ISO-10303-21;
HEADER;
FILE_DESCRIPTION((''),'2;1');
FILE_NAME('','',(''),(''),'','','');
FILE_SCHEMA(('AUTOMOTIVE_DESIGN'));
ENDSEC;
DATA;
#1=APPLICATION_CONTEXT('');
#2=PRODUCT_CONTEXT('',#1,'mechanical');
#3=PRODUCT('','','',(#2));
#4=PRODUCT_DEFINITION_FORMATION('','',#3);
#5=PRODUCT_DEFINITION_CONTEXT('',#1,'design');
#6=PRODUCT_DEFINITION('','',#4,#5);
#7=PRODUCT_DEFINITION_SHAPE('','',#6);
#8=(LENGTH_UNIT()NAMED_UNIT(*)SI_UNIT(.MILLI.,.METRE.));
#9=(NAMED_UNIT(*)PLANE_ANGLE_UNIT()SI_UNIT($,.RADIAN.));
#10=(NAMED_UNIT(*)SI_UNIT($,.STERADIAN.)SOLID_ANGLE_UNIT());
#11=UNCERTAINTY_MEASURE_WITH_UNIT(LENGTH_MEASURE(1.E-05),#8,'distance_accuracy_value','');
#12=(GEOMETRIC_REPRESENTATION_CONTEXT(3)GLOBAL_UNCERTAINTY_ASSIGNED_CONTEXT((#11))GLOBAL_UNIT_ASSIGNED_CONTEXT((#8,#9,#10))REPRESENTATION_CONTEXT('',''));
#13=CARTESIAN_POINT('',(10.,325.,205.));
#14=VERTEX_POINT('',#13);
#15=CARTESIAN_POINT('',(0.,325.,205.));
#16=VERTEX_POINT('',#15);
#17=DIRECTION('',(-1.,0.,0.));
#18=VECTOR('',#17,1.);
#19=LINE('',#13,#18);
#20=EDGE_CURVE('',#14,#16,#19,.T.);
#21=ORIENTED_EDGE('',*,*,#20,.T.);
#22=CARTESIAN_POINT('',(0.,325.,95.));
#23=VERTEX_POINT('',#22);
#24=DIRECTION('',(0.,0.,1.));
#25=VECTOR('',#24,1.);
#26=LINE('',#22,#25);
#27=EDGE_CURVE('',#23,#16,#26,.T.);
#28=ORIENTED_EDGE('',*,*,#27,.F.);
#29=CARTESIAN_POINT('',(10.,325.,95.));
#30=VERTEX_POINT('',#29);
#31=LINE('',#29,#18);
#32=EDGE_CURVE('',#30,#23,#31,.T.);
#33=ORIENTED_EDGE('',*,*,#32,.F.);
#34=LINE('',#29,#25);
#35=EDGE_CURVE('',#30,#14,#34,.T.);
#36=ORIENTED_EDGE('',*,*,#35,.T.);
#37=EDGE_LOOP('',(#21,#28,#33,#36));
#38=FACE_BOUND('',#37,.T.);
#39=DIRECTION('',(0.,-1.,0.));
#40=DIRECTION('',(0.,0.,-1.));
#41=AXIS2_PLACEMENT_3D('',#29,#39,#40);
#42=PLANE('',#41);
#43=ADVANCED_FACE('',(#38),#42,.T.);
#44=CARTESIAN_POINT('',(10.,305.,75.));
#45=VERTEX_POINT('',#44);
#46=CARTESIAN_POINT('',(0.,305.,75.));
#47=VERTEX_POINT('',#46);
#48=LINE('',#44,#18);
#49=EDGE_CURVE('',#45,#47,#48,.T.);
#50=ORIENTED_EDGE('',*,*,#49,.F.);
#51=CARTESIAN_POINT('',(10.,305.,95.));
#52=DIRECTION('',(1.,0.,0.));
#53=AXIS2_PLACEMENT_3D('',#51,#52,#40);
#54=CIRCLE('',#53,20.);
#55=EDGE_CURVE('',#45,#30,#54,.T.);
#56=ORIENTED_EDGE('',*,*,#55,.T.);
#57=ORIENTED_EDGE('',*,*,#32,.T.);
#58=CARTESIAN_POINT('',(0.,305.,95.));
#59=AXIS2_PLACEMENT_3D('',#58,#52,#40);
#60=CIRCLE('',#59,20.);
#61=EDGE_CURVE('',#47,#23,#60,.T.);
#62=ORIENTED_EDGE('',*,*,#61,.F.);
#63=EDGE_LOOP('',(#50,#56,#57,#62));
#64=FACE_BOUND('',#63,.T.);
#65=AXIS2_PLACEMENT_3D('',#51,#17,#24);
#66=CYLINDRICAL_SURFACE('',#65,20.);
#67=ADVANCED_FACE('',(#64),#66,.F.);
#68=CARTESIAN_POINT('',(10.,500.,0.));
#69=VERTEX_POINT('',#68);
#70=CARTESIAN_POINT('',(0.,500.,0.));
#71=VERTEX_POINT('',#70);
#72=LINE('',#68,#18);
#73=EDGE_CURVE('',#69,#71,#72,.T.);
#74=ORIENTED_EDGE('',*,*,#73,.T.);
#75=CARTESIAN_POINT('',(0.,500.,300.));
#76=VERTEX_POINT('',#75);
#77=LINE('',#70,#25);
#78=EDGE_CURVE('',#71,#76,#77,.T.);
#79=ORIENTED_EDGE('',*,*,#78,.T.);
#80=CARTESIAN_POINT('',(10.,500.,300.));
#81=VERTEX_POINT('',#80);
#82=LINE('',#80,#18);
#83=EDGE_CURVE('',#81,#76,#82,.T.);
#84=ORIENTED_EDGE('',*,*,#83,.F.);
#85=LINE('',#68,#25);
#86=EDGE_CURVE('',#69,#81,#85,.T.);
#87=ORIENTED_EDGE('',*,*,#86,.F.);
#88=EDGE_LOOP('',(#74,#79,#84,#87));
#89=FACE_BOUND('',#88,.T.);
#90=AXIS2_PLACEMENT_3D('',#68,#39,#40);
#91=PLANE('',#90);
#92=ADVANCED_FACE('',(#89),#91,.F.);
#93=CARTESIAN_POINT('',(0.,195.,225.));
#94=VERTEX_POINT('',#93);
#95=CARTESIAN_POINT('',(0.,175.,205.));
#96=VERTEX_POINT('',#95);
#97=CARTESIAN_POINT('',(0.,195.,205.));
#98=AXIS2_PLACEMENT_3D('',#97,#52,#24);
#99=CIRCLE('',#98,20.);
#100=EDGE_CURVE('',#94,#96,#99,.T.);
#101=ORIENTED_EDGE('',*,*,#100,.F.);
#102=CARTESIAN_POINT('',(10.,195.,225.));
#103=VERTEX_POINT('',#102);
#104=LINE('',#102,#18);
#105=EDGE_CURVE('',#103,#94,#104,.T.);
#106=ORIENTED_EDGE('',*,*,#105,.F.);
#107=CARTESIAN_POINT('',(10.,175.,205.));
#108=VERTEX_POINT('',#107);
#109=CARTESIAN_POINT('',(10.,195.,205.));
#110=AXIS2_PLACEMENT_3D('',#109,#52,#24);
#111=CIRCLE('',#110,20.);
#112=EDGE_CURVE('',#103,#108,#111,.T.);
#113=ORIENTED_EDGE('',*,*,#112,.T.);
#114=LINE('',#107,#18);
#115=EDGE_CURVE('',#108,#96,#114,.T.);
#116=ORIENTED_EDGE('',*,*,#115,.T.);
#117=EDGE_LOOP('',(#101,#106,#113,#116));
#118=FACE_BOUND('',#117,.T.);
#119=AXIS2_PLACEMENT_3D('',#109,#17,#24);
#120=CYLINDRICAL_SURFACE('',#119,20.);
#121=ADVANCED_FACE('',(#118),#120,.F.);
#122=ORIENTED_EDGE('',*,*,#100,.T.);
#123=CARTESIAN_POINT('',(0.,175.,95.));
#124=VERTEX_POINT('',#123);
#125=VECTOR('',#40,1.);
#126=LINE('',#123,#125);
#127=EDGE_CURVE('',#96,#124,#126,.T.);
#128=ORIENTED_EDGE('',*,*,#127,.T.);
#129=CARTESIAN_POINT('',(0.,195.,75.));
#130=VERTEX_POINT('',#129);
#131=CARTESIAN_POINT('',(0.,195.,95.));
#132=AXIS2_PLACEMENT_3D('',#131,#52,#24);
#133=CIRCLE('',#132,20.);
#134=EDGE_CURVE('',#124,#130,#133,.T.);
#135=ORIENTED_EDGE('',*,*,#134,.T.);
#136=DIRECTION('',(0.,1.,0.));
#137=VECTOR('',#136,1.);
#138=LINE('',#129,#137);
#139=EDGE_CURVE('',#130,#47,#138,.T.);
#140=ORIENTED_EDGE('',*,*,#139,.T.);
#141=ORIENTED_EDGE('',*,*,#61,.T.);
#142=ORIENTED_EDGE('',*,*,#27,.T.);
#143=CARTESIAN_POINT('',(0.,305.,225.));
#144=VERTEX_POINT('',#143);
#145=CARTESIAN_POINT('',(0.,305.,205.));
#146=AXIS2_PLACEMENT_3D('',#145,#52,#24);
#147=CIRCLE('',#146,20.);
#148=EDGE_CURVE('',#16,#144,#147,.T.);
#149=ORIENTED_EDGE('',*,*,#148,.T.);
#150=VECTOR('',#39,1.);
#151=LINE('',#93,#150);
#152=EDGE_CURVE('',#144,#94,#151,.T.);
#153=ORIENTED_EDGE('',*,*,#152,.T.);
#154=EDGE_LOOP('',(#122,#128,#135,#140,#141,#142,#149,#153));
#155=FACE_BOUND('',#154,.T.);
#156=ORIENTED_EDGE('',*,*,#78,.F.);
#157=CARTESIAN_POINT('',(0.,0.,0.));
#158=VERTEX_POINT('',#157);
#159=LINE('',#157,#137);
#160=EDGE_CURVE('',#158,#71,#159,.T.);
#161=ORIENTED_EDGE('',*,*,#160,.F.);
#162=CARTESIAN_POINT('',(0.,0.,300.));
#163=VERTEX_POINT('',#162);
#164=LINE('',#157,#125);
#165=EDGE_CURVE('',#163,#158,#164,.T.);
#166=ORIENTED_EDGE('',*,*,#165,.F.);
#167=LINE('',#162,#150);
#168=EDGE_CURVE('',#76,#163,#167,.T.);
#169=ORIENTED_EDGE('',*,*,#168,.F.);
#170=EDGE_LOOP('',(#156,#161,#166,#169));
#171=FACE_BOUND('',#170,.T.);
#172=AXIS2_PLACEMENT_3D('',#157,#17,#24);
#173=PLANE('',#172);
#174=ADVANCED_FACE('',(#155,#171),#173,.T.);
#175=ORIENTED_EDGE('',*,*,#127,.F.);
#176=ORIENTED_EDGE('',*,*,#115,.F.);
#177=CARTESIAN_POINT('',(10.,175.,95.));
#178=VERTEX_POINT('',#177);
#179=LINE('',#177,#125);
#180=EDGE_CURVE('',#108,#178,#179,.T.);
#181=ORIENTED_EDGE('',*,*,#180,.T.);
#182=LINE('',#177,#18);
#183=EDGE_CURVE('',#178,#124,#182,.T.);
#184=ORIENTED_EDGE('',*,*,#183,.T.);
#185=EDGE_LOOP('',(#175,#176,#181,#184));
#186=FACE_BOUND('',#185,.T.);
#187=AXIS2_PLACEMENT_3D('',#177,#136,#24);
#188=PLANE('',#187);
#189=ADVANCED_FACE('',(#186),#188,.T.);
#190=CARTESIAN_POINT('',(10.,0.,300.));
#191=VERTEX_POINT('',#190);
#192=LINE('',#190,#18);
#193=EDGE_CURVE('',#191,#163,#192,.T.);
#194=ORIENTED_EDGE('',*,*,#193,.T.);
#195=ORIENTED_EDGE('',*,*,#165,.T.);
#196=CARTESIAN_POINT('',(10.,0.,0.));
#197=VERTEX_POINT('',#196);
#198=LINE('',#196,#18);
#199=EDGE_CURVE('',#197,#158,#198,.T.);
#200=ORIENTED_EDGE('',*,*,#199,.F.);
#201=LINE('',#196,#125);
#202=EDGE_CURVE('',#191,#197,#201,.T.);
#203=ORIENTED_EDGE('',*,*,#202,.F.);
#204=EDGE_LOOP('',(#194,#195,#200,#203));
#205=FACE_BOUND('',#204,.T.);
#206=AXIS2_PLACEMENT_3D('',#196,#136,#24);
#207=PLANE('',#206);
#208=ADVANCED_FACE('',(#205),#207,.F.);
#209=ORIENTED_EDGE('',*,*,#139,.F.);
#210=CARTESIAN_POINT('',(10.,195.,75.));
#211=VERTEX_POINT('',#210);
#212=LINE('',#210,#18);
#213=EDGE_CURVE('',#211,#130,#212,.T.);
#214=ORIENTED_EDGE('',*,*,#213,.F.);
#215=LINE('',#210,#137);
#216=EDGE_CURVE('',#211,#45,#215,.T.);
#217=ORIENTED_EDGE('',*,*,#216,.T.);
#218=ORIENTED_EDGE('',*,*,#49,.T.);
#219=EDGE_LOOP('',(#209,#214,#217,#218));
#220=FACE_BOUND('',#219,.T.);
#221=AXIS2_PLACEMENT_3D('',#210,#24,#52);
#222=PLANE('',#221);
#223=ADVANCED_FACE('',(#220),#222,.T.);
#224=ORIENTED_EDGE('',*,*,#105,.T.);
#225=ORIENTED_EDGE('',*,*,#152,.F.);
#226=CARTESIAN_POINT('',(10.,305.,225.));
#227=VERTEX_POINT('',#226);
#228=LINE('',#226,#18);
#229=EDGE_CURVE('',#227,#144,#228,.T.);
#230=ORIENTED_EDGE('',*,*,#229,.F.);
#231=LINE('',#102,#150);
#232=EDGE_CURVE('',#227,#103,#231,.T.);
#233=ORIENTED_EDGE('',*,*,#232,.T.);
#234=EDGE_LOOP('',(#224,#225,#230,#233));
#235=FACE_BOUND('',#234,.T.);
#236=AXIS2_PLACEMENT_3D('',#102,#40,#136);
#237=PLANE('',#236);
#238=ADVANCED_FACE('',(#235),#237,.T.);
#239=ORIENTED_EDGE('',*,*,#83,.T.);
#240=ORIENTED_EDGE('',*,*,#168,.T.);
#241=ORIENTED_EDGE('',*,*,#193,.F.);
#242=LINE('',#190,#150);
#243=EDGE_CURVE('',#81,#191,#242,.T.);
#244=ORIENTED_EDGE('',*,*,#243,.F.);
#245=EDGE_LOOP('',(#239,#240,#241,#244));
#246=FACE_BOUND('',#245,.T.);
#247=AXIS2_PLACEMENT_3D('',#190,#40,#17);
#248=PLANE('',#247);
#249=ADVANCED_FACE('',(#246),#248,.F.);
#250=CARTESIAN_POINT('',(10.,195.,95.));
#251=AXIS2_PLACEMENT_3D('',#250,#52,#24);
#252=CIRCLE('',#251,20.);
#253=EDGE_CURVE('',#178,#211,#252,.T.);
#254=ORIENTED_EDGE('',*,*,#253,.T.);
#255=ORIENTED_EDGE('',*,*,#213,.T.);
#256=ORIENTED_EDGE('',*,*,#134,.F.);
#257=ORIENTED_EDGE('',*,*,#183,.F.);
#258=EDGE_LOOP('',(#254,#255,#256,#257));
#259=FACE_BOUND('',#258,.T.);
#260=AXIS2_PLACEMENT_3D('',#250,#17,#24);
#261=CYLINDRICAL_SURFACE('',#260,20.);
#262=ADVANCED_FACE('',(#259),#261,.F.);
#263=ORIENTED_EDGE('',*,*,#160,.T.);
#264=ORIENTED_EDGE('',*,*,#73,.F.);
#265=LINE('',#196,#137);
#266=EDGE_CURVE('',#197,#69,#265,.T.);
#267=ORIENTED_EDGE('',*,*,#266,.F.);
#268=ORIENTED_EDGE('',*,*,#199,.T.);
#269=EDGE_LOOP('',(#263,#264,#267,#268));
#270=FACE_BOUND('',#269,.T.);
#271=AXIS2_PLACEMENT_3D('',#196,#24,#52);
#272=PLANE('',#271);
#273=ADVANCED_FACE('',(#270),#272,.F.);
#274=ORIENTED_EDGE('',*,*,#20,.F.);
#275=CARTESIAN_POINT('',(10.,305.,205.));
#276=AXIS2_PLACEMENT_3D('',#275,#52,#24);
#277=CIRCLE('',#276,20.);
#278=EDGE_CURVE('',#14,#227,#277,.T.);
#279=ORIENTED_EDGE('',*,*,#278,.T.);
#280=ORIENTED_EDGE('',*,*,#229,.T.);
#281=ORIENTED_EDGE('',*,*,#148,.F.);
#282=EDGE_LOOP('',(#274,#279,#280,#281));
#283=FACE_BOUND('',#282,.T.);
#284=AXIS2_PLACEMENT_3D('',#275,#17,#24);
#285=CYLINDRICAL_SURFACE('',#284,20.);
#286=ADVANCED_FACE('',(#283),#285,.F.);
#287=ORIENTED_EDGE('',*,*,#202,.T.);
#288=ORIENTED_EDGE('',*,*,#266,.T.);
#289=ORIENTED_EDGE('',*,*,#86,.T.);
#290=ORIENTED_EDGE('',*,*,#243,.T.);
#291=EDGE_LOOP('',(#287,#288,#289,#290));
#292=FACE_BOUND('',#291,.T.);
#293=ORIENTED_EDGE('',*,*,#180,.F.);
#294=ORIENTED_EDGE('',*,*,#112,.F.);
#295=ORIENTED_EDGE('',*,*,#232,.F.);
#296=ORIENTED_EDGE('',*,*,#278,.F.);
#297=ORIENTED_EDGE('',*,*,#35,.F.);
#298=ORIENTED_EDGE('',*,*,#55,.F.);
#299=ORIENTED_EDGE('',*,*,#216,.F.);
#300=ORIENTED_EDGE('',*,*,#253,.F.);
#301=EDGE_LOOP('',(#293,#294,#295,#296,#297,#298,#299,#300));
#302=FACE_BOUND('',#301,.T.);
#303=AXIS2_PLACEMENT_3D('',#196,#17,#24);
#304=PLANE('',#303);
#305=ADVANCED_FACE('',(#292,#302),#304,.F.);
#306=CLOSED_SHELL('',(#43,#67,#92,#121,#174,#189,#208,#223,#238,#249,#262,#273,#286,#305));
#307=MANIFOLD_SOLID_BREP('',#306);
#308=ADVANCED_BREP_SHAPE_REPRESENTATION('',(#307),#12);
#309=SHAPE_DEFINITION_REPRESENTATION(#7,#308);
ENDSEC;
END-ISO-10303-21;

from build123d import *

# Parameters (mm, degrees)
SKETCH1_W           = 500
SKETCH1_H           = 300
BOSS_EXTRUDE1_DEPTH = 10


with BuildPart() as part:
    # Sketch1 → Boss-Extrude1 (new body)
    with BuildSketch(Plane.YZ):
        with Locations((250, 150)):
            Rectangle(SKETCH1_W, SKETCH1_H)
        with BuildLine():
            Line((195, 75), (305, 75))
            ThreePointArc((305, 75), (319.142135624, 80.857864376), (325, 95))
            Line((325, 95), (325, 205))
            ThreePointArc((325, 205), (319.142135624, 219.142135624), (305, 225))
            Line((305, 225), (195, 225))
            ThreePointArc((195, 225), (180.857864376, 219.142135624), (175, 205))
            Line((175, 205), (175, 95))
            ThreePointArc((175, 95), (180.857864376, 80.857864376), (195, 75))
        make_face(mode=Mode.SUBTRACT)
    extrude(amount=BOSS_EXTRUDE1_DEPTH)


solid = part.part
